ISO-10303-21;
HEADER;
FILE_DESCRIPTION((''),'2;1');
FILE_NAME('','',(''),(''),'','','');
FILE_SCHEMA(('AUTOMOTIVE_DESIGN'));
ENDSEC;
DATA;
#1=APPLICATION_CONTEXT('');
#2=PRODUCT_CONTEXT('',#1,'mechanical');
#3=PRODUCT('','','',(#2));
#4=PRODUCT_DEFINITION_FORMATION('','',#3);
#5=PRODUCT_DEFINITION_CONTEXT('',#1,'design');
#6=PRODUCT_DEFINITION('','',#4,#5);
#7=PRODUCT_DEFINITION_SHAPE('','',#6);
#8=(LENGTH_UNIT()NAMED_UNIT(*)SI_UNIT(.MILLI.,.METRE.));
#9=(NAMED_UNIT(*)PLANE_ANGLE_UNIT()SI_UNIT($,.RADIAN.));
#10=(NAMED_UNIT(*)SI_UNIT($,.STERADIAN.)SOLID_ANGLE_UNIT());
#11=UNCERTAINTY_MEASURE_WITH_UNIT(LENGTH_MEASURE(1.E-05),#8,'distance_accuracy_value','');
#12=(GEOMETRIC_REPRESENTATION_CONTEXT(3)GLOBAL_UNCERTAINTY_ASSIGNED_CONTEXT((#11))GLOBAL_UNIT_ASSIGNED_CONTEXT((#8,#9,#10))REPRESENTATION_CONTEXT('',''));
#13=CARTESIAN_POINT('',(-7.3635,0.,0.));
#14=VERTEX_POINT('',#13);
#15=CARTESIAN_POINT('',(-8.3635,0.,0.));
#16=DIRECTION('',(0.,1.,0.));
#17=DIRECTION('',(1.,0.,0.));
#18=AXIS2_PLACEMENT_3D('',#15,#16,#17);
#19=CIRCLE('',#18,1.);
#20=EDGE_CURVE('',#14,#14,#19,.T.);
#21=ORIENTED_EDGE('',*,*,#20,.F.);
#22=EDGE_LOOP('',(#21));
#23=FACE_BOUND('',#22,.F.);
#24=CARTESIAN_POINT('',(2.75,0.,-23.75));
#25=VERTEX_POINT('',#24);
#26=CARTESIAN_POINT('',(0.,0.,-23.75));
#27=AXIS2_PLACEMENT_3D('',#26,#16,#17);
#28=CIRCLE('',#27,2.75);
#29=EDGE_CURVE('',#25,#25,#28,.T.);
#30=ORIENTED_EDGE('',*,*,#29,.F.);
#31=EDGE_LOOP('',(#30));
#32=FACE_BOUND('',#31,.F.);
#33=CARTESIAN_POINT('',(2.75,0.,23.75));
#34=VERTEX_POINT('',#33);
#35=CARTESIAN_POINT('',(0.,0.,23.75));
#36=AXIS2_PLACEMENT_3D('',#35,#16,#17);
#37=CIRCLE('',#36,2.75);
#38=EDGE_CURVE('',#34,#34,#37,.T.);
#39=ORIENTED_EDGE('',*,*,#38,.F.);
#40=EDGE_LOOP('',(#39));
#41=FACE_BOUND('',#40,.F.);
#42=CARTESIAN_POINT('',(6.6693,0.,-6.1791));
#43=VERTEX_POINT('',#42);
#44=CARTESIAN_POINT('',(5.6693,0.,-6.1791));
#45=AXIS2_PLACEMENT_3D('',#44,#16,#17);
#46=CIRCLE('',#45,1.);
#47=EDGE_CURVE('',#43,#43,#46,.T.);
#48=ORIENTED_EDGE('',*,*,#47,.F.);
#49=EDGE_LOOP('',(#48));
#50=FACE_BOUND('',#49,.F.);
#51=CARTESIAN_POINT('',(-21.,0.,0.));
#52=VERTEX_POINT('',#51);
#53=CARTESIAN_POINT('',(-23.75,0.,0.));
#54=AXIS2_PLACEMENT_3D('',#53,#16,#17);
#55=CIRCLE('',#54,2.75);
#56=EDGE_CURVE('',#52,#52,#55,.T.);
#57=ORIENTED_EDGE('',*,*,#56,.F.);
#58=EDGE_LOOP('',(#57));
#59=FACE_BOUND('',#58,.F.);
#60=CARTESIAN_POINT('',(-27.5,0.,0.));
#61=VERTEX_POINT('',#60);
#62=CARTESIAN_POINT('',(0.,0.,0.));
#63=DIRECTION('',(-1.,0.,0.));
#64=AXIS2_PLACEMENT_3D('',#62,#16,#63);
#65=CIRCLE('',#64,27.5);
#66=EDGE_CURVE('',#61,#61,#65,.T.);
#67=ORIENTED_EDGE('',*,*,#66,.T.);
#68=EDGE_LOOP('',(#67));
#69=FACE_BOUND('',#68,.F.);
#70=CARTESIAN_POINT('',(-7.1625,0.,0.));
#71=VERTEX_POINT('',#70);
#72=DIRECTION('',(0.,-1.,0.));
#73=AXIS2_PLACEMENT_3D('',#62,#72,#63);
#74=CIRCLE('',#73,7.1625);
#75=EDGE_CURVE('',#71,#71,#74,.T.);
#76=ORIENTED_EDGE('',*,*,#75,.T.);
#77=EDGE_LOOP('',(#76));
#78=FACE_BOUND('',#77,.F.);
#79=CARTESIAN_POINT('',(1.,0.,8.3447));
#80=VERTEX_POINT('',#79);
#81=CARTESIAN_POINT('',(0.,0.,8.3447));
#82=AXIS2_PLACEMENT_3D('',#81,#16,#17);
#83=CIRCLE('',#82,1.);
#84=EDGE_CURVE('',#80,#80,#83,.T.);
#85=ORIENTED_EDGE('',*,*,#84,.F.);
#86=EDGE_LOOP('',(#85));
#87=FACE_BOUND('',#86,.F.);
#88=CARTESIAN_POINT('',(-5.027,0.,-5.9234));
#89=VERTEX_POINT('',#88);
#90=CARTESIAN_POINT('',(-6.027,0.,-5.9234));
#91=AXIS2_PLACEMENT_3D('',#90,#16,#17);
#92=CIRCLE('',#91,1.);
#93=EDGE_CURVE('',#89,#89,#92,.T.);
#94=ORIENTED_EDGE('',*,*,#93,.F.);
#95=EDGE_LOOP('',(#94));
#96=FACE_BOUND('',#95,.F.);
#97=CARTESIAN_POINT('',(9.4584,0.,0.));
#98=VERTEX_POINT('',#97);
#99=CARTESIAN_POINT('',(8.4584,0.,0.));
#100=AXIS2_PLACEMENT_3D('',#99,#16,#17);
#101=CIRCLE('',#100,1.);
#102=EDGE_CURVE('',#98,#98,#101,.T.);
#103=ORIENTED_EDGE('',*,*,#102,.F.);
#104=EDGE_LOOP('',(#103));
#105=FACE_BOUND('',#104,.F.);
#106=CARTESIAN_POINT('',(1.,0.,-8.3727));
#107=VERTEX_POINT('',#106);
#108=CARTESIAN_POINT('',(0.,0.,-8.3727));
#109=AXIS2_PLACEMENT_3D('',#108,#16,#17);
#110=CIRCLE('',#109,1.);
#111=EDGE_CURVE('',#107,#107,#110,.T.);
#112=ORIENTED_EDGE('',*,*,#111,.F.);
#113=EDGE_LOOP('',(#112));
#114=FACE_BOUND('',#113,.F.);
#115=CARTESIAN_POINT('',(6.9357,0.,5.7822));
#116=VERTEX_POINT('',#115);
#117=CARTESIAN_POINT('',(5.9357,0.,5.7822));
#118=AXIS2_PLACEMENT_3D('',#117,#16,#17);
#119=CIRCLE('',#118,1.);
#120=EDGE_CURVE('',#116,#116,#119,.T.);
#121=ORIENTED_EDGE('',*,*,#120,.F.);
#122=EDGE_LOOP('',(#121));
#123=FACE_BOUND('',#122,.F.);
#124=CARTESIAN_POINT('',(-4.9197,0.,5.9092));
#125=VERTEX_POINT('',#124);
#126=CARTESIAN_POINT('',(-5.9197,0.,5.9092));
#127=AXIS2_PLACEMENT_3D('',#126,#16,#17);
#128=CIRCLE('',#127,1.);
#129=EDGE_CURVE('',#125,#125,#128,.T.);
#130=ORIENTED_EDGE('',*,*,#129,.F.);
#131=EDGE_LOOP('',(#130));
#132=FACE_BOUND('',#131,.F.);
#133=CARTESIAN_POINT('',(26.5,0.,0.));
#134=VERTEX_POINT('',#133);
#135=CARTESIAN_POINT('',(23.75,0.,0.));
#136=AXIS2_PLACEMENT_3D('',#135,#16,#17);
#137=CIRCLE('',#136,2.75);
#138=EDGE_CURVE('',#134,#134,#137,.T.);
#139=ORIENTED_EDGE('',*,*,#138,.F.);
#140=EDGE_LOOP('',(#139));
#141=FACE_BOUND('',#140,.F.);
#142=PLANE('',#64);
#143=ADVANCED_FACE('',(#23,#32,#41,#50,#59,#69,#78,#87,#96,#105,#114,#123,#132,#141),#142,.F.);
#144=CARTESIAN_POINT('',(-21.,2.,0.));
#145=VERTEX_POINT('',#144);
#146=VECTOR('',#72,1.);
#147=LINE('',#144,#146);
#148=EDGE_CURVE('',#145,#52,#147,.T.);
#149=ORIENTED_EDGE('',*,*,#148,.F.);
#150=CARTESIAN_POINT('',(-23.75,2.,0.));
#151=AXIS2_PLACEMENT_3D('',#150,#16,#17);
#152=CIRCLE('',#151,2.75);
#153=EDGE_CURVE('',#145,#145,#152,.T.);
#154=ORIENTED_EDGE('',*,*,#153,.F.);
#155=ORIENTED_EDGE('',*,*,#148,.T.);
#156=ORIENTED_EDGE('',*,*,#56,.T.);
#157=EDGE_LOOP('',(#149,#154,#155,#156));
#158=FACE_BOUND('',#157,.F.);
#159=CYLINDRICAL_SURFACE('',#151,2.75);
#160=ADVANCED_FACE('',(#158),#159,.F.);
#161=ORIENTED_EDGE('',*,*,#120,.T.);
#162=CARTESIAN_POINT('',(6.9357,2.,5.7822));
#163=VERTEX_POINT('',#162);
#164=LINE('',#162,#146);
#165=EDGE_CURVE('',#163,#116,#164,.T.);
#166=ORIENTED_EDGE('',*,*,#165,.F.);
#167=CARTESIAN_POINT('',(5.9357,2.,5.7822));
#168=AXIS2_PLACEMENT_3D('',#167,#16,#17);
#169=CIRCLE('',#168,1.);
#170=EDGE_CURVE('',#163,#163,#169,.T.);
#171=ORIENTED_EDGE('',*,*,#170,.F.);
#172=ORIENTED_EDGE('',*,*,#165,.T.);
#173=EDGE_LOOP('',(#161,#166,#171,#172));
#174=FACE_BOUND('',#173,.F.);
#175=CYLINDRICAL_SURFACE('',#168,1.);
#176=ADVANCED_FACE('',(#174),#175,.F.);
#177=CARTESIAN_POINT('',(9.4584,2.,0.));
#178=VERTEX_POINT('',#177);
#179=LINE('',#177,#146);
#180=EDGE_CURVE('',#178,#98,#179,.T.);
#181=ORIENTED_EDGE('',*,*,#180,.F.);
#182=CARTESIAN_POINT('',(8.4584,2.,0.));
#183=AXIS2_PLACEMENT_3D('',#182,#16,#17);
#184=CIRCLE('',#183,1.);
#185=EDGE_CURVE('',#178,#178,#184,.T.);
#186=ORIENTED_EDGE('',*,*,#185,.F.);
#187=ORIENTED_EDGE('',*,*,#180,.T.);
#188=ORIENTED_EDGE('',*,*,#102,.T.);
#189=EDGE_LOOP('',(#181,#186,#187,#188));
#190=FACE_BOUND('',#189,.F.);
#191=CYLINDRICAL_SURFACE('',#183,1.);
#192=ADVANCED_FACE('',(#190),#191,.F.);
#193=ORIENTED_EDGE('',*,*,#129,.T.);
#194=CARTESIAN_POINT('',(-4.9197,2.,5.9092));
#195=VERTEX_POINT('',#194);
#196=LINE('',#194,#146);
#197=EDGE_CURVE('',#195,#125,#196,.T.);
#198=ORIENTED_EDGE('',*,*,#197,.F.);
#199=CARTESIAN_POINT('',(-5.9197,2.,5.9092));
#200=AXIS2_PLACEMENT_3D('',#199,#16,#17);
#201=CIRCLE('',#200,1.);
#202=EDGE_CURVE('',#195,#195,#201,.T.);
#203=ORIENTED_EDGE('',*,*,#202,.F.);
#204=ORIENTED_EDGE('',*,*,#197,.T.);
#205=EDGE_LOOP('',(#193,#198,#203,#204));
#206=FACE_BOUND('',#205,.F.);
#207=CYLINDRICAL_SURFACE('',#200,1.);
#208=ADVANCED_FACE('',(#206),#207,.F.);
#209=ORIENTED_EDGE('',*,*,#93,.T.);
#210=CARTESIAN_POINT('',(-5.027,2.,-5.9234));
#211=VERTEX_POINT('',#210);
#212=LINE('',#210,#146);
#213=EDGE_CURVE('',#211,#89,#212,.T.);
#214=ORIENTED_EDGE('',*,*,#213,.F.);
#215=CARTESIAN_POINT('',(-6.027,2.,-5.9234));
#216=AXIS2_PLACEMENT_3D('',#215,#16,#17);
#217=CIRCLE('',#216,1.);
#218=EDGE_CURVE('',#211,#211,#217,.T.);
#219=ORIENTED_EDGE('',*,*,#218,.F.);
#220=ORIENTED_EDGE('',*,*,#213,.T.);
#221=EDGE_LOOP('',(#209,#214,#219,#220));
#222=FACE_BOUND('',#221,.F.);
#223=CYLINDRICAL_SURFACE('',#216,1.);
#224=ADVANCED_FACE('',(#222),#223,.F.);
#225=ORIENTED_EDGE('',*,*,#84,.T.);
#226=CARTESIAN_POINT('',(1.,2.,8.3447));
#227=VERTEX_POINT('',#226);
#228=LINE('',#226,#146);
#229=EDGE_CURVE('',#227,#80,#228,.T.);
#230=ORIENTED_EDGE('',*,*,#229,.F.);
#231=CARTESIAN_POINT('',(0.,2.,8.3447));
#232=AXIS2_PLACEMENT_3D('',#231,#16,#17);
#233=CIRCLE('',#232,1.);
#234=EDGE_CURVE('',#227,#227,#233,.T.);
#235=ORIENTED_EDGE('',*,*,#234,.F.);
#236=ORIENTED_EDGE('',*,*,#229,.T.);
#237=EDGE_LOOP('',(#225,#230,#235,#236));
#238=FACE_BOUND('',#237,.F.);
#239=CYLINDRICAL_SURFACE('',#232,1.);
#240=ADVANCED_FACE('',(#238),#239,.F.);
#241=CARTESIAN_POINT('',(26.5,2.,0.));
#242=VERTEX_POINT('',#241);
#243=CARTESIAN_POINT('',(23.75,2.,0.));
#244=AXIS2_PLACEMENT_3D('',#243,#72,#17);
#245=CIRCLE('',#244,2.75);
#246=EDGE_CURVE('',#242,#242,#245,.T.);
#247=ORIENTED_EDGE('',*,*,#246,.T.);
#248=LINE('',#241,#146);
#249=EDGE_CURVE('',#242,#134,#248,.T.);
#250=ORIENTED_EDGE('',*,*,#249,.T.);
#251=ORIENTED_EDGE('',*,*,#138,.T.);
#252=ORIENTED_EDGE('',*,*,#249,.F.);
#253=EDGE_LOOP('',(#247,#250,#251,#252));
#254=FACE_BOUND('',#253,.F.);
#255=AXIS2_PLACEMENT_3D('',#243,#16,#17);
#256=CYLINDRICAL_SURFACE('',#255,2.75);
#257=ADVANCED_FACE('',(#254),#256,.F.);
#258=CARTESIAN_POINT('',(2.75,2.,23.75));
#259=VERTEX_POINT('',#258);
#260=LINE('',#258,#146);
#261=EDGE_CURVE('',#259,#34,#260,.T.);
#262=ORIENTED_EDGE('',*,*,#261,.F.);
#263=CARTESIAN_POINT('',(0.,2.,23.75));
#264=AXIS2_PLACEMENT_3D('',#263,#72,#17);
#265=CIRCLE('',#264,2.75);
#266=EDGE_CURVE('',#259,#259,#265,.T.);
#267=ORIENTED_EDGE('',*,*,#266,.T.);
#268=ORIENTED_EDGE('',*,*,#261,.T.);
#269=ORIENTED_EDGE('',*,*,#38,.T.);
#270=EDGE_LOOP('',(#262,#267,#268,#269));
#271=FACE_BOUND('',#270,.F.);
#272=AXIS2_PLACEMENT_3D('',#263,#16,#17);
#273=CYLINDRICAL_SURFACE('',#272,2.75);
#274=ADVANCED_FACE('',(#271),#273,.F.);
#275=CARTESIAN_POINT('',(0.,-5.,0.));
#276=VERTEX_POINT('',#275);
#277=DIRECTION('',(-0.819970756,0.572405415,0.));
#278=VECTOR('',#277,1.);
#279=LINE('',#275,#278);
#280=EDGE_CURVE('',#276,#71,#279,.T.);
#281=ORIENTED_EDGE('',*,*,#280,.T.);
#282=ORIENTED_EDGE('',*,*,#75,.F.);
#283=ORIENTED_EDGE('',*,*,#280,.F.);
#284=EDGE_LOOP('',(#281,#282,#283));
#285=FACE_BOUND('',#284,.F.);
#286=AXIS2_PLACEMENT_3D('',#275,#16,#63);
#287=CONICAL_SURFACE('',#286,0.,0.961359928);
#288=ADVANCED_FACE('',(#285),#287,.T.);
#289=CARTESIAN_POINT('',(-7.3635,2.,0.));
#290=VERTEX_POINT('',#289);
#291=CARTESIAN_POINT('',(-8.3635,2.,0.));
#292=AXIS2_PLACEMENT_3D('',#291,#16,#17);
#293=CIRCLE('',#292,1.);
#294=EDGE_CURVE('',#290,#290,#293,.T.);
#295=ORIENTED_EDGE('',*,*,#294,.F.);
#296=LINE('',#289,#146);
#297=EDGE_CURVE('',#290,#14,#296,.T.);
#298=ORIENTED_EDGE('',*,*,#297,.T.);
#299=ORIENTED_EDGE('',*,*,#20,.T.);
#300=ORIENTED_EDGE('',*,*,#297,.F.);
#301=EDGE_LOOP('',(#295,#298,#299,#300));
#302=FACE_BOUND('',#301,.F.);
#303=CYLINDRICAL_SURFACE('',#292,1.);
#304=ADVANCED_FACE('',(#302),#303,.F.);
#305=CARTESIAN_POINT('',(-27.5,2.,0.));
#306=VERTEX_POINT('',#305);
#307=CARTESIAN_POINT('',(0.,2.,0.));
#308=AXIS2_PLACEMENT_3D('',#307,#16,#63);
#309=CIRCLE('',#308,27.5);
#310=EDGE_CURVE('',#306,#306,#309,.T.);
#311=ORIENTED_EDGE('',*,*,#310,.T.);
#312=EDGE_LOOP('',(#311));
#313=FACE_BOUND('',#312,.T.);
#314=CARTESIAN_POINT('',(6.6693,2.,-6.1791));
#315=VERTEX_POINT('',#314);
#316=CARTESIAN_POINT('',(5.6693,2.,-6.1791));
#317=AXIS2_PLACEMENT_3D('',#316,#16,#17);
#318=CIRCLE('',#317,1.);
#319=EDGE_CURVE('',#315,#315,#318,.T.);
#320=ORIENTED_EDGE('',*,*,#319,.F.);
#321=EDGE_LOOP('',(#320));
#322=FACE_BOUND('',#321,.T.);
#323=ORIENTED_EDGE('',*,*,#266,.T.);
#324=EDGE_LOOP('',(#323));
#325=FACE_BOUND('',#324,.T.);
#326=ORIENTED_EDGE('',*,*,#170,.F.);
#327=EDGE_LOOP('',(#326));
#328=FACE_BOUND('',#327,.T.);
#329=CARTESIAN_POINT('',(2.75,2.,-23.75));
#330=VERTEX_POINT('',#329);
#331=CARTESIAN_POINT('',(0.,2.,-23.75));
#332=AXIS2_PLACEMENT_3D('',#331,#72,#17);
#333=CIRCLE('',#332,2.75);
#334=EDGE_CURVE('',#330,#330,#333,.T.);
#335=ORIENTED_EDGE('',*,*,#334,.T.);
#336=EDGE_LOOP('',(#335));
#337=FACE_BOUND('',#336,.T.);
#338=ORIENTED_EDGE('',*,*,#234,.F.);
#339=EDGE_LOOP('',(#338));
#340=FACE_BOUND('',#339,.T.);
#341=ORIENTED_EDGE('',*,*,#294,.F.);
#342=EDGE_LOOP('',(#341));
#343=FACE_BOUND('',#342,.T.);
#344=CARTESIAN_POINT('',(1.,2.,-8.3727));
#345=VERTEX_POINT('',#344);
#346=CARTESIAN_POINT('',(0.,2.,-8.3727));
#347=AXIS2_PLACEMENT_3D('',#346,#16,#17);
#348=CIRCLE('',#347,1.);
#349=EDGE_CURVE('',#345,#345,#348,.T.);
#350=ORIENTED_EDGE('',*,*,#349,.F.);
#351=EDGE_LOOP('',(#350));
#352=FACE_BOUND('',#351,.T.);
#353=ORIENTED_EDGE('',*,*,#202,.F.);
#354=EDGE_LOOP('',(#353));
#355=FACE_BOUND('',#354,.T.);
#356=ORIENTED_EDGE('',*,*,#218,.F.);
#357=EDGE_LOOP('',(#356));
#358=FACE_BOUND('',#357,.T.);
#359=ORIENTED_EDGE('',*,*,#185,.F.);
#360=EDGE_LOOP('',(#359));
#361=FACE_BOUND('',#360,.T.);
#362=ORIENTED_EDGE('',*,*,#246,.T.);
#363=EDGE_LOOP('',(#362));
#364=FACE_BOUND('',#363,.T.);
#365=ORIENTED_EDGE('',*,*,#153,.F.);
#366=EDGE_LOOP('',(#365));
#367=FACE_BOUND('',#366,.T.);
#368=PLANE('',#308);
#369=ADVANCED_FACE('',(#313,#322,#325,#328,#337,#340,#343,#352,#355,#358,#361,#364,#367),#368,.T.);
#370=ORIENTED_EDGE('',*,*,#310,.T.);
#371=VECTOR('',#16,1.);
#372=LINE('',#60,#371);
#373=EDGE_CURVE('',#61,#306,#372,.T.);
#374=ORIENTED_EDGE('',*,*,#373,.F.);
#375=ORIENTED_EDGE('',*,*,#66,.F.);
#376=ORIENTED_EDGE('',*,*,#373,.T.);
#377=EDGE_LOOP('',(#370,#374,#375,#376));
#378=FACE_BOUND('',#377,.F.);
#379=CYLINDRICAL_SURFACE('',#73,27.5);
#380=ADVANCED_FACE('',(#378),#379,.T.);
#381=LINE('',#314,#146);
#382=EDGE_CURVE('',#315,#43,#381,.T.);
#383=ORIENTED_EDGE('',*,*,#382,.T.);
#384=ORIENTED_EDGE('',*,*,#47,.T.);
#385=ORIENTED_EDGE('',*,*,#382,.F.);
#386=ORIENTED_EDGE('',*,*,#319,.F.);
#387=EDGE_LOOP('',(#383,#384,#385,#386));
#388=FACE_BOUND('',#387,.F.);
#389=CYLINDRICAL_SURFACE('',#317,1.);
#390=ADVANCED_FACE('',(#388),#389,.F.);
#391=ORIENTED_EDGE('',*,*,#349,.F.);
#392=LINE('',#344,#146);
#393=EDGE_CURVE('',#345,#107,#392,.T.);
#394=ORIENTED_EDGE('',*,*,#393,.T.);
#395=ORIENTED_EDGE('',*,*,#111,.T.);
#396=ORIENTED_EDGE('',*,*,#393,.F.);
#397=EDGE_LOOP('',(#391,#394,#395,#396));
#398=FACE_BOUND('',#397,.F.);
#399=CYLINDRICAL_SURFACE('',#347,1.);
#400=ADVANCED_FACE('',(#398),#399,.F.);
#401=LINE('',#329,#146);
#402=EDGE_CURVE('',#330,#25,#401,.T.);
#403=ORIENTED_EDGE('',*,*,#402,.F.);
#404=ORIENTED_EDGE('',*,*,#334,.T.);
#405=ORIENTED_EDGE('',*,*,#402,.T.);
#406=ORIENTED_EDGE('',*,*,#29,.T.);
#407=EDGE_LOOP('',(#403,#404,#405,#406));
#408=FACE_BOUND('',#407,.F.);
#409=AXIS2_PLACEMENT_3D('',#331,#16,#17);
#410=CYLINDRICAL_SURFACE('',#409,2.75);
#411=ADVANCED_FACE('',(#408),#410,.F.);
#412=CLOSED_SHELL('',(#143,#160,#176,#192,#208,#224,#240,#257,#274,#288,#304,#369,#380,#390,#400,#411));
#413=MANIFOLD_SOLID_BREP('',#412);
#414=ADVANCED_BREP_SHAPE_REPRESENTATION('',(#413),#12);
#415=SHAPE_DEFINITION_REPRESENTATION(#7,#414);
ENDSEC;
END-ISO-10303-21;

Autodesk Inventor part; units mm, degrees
ref_plane "YZ Plane" through (0, 0, 0) normal (1, 0, 0) x (0, 1, 0)
ref_plane "XZ Plane" through (0, 0, 0) normal (0, 1, 0) x (-1, 0, 0)
ref_plane "XY Plane" through (0, 0, 0) normal (0, 0, 1) x (1, 0, 0)
sketch "Boceto1" plane through (0, 0, 0) normal (0, 1, 0) x (-1, 0, 0)
  circle A0 centre (0, 0) radius 27.5
  dimension "d0" = 55
extrude "Extrusión1" add sketch "Boceto1" along normal blind 2
sketch "Boceto6" plane through (0, 2, 0) normal (0, 1, 0) x (1, 0, 0)
  circle A0 centre (0, 0) radius 9.6625
  circle A1 centre (-8.777, -8.777) radius 2.75 projected
  circle A2 centre (0, 0) radius 7.1625
  circle A3 centre (8.4584, 0) radius 1
  circle A4 centre (0, -8.3447) radius 1
  circle A5 centre (0, 8.3727) radius 1
  circle A6 centre (-8.3635, 0) radius 1
  circle A7 centre (5.9357, -5.7822) radius 1
  circle A8 centre (-6.027, 5.9234) radius 1
  circle A9 centre (5.6693, 6.1791) radius 1
  circle A10 centre (-5.9197, -5.9092) radius 1
  dimension "d32" = 14.325
  dimension "d33" = 2
  dimension "d34" = 2
  dimension "d35" = 2
  dimension "d36" = 2
  dimension "d37" = 2
  dimension "d38" = 2
  dimension "d39" = 2
  dimension "d40" = 2
extrude "Extrusión3" cut sketch "Boceto6" against normal blind 50 contours A3 | A4 | A5 | A6 | A7 | A8 | A9 | A10
sketch "Boceto7" plane through (0, 0, 0) normal (0, 0, 1) x (1, 0, 0)
  line L0 (0, 0) -> (-7.1625, 0)
  line L1 (-11.527, 0) -> (-11.527, 2) projected
  line L2 (0, 0) -> (0, -5)
  line L3 (0, -5) -> (-7.1625, 0)
  dimension "d43" = 7.1625
  dimension "d44" = 5
revolve "Revolución2" add sketch "Boceto7" angle 360 about axis through (0, 0, 0) along (0, -1, 0)
sketch "Boceto8" plane through (0, 2, 0) normal (0, 1, 0) x (1, 0, 0)
  circle A0 centre (0, 0) radius 7.1625 projected
  line L0 (0, 0) -> (0, 23.75)
  line L1 (0, 0) -> (23.75, 0)
  line L2 (0, 0) -> (0, -23.75)
  line L3 (0, 0) -> (-23.75, 0)
  circle A1 centre (-23.75, 0) radius 2.75
  circle A2 centre (0, 23.75) radius 2.75
  circle A3 centre (23.75, 0) radius 2.75
  circle A4 centre (0, -23.75) radius 2.75
  point P0 (0, 0)
  dimension "d57" = 23.75
  dimension "d58" = 23.75
  dimension "d59" = 23.75
  dimension "d60" = 23.75
  dimension "d61" = 5.5
  dimension "d62" = 5.5
  dimension "d63" = 5.5
  dimension "d64" = 5.5
extrude "Extrusión4" cut sketch "Boceto8" against normal blind 2 contours A4 | A1 | A2 | A3
sketch "Boceto10" plane through (0, 2, 0) normal (0, 1, 0) x (1, 0, 0)
  point P0 (0, 0)
properties part number "placa para pellet"
